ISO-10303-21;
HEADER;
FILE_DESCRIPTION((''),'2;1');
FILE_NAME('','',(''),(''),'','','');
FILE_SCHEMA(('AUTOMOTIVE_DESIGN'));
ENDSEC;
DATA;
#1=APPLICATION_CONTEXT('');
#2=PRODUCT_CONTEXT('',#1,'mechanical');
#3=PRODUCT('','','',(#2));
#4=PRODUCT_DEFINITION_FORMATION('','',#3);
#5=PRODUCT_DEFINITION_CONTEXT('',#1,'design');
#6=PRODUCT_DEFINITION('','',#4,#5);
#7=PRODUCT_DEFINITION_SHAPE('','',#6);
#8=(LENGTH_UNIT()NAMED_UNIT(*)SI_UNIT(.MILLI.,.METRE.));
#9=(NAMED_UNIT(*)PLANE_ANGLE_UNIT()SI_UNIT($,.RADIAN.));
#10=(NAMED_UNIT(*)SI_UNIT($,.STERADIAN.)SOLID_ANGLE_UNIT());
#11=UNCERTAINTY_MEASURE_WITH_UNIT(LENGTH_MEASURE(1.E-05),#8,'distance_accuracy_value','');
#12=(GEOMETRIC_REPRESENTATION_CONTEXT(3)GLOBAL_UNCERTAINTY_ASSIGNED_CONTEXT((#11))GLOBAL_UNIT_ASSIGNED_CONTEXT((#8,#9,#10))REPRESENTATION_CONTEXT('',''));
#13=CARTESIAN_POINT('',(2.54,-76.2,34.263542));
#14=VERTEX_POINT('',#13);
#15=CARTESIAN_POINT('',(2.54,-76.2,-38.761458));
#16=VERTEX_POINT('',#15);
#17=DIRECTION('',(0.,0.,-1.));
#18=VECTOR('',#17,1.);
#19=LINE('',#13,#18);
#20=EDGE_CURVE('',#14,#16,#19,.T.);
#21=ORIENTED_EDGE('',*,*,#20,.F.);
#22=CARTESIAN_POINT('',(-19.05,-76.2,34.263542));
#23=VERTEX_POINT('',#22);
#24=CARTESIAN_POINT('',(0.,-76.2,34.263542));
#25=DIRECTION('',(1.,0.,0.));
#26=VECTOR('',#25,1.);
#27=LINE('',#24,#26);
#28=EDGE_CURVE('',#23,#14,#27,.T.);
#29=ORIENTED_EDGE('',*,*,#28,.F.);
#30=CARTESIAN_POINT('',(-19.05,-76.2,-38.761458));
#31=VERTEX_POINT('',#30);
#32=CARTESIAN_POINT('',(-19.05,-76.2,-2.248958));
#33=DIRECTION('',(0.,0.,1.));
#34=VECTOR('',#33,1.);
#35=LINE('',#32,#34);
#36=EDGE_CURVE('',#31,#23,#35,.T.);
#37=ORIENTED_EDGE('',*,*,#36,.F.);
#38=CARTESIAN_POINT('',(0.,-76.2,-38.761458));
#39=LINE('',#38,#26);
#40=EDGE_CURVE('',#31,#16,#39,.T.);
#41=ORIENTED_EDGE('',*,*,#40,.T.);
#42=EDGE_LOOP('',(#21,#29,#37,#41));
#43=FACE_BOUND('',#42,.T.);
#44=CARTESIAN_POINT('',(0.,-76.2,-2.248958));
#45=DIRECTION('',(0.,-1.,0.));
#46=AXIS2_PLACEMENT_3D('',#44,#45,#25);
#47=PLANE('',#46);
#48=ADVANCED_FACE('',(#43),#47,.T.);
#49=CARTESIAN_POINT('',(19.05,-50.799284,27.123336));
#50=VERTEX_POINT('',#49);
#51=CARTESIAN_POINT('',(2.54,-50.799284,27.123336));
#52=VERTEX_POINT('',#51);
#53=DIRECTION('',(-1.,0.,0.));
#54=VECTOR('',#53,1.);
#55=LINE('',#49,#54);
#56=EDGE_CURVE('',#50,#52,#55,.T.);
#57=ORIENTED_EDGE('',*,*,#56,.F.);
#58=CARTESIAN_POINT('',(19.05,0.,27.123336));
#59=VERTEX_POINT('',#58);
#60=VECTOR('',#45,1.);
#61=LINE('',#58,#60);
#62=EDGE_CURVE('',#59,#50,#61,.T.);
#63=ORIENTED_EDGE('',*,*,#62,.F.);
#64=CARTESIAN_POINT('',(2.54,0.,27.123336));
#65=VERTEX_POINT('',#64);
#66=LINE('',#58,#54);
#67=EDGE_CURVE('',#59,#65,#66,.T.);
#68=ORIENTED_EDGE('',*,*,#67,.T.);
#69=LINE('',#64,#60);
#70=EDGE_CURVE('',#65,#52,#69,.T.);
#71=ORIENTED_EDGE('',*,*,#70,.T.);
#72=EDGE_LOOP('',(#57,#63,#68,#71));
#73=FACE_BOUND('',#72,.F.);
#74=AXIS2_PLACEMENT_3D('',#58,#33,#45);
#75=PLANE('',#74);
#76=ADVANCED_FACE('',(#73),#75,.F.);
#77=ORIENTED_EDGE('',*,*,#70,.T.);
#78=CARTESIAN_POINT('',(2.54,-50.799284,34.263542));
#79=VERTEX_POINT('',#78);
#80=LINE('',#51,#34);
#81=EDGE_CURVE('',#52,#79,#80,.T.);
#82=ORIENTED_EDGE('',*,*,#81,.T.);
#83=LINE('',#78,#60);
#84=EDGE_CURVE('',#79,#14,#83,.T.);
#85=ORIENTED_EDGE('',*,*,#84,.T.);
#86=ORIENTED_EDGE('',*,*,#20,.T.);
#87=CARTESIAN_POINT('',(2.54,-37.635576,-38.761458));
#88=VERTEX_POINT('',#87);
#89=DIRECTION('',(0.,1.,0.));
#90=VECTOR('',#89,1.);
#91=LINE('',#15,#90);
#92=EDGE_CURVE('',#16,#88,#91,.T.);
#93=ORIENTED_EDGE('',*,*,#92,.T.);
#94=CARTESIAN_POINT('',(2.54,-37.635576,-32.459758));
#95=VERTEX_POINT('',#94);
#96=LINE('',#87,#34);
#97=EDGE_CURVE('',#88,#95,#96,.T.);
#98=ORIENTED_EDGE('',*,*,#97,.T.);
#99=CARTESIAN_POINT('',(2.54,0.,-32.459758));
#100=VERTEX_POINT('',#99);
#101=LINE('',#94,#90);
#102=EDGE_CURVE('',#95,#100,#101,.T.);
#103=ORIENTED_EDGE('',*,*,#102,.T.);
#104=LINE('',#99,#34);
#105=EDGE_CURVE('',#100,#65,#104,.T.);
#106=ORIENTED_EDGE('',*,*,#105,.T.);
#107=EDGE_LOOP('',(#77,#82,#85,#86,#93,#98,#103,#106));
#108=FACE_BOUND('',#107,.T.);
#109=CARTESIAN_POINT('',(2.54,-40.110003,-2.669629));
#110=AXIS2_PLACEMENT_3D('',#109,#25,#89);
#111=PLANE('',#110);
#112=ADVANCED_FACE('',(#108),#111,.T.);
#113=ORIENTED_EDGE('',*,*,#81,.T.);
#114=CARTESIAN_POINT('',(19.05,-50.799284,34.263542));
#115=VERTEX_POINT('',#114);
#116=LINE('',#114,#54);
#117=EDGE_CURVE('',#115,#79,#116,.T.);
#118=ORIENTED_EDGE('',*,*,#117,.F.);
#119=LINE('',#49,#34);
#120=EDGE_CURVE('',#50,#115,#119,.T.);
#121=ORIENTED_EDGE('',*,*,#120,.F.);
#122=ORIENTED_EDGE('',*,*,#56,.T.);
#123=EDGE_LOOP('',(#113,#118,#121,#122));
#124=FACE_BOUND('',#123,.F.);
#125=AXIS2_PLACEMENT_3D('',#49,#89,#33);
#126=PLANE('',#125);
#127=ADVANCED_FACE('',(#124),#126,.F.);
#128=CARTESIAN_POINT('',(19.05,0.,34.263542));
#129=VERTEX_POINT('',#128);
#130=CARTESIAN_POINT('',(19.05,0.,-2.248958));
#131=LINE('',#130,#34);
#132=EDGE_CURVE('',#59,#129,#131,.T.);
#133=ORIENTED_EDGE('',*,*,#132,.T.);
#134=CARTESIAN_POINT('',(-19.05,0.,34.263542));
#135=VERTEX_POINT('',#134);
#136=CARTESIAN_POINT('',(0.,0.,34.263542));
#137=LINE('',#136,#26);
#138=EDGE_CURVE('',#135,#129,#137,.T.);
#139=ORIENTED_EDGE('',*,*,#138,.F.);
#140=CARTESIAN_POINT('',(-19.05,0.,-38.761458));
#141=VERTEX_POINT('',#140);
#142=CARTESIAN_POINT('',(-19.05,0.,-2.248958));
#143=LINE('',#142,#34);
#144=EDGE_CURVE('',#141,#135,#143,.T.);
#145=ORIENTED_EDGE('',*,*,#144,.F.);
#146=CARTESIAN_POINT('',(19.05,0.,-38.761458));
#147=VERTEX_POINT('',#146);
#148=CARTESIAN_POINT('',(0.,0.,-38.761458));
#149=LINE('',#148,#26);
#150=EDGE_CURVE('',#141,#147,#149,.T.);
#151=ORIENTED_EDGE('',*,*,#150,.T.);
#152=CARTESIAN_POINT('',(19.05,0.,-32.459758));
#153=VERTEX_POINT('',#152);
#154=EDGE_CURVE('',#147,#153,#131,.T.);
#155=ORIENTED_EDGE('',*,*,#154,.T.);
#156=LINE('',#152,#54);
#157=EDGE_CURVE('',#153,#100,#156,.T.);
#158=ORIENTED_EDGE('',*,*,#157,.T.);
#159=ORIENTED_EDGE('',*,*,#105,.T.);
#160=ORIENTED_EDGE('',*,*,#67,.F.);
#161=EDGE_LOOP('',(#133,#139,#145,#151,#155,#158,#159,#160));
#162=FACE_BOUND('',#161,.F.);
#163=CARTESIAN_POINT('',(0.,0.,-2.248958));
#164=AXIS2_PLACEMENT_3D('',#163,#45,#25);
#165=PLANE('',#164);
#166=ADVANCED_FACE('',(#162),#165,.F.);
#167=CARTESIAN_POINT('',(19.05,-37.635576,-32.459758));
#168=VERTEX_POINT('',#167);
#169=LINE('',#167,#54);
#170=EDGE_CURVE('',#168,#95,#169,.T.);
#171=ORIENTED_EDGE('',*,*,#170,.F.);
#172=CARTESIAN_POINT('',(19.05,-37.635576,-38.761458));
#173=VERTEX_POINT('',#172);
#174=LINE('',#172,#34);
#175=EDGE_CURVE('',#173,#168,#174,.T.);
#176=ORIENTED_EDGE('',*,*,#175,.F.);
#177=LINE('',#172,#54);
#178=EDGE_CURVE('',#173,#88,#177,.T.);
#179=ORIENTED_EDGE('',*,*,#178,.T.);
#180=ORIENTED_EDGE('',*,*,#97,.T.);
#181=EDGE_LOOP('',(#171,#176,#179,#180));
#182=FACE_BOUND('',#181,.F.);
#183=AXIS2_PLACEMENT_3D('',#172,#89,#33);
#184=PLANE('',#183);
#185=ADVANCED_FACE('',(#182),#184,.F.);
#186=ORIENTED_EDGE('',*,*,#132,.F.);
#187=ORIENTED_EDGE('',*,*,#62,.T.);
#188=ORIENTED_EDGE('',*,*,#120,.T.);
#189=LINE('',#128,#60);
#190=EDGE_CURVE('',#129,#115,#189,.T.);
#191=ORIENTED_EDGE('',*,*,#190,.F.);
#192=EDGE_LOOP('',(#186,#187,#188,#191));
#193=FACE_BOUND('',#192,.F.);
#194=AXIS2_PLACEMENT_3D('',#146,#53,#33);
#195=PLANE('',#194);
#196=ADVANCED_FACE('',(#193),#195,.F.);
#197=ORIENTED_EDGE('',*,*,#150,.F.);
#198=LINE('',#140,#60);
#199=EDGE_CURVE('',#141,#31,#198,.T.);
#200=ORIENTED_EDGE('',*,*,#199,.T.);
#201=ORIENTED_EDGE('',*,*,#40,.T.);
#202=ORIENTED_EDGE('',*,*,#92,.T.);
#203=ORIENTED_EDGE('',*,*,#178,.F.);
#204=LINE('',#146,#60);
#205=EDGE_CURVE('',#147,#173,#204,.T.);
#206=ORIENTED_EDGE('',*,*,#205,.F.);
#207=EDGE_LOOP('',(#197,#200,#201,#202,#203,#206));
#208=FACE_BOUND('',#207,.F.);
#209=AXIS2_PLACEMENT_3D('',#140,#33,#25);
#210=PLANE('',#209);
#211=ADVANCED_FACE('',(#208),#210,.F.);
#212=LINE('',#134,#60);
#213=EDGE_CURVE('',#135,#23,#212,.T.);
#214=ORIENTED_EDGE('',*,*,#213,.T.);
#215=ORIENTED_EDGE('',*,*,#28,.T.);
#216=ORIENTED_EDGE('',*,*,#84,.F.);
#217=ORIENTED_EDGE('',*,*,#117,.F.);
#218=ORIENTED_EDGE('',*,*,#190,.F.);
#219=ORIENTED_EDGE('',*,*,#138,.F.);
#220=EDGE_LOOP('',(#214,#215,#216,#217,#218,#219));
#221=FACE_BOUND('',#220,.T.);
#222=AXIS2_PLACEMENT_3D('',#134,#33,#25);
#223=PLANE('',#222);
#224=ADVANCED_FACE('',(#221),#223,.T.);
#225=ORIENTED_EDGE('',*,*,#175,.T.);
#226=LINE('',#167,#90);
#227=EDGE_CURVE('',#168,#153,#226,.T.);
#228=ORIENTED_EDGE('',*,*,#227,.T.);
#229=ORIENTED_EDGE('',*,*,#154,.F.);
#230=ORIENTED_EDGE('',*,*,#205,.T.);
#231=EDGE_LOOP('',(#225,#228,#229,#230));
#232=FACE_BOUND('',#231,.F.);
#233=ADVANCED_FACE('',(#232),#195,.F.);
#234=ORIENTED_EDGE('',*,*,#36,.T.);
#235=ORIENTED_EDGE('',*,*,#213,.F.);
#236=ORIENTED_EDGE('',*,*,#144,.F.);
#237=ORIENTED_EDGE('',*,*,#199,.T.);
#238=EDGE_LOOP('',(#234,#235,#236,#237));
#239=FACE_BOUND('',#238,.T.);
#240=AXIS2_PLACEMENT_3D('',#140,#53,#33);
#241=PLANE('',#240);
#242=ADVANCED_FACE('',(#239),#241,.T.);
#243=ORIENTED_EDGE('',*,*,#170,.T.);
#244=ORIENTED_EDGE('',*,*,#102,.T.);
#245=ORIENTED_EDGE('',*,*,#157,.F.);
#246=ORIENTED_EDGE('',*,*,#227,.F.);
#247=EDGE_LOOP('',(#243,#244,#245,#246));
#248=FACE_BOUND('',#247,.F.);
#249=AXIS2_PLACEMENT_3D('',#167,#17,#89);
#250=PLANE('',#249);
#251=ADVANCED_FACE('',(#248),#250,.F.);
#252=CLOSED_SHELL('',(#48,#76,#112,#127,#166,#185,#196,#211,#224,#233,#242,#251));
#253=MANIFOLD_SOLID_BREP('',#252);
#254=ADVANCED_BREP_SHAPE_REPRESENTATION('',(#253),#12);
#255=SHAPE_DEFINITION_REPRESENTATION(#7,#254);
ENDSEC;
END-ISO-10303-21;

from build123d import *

# Parameters (mm, degrees)
F0_W     = 38.1
F0_H     = 73.025
F1_DEPTH = 76.2
F3_DEPTH = 16.51


with BuildPart() as f1:
    # F0 (on Front) → F1 (new body)
    with BuildSketch(Plane.XZ):
        with Locations((0, -2.248958)):
            Rectangle(F0_W, F0_H)
    extrude(amount=F1_DEPTH)

    # F2 (on face) → F3 (cut)
    with BuildSketch(Plane.YZ.offset(19.05)):
        Polygon((-50.799284, 27.123336), (-50.799284, 34.263542), (-76.2, 34.263542), (-76.2, -38.761458), (-37.635576, -38.761458), (-37.635576, -32.459758), (0, -32.459758), (0, 27.123336), align=None)
    extrude(amount=-F3_DEPTH, mode=Mode.SUBTRACT)


solid = f1.part
